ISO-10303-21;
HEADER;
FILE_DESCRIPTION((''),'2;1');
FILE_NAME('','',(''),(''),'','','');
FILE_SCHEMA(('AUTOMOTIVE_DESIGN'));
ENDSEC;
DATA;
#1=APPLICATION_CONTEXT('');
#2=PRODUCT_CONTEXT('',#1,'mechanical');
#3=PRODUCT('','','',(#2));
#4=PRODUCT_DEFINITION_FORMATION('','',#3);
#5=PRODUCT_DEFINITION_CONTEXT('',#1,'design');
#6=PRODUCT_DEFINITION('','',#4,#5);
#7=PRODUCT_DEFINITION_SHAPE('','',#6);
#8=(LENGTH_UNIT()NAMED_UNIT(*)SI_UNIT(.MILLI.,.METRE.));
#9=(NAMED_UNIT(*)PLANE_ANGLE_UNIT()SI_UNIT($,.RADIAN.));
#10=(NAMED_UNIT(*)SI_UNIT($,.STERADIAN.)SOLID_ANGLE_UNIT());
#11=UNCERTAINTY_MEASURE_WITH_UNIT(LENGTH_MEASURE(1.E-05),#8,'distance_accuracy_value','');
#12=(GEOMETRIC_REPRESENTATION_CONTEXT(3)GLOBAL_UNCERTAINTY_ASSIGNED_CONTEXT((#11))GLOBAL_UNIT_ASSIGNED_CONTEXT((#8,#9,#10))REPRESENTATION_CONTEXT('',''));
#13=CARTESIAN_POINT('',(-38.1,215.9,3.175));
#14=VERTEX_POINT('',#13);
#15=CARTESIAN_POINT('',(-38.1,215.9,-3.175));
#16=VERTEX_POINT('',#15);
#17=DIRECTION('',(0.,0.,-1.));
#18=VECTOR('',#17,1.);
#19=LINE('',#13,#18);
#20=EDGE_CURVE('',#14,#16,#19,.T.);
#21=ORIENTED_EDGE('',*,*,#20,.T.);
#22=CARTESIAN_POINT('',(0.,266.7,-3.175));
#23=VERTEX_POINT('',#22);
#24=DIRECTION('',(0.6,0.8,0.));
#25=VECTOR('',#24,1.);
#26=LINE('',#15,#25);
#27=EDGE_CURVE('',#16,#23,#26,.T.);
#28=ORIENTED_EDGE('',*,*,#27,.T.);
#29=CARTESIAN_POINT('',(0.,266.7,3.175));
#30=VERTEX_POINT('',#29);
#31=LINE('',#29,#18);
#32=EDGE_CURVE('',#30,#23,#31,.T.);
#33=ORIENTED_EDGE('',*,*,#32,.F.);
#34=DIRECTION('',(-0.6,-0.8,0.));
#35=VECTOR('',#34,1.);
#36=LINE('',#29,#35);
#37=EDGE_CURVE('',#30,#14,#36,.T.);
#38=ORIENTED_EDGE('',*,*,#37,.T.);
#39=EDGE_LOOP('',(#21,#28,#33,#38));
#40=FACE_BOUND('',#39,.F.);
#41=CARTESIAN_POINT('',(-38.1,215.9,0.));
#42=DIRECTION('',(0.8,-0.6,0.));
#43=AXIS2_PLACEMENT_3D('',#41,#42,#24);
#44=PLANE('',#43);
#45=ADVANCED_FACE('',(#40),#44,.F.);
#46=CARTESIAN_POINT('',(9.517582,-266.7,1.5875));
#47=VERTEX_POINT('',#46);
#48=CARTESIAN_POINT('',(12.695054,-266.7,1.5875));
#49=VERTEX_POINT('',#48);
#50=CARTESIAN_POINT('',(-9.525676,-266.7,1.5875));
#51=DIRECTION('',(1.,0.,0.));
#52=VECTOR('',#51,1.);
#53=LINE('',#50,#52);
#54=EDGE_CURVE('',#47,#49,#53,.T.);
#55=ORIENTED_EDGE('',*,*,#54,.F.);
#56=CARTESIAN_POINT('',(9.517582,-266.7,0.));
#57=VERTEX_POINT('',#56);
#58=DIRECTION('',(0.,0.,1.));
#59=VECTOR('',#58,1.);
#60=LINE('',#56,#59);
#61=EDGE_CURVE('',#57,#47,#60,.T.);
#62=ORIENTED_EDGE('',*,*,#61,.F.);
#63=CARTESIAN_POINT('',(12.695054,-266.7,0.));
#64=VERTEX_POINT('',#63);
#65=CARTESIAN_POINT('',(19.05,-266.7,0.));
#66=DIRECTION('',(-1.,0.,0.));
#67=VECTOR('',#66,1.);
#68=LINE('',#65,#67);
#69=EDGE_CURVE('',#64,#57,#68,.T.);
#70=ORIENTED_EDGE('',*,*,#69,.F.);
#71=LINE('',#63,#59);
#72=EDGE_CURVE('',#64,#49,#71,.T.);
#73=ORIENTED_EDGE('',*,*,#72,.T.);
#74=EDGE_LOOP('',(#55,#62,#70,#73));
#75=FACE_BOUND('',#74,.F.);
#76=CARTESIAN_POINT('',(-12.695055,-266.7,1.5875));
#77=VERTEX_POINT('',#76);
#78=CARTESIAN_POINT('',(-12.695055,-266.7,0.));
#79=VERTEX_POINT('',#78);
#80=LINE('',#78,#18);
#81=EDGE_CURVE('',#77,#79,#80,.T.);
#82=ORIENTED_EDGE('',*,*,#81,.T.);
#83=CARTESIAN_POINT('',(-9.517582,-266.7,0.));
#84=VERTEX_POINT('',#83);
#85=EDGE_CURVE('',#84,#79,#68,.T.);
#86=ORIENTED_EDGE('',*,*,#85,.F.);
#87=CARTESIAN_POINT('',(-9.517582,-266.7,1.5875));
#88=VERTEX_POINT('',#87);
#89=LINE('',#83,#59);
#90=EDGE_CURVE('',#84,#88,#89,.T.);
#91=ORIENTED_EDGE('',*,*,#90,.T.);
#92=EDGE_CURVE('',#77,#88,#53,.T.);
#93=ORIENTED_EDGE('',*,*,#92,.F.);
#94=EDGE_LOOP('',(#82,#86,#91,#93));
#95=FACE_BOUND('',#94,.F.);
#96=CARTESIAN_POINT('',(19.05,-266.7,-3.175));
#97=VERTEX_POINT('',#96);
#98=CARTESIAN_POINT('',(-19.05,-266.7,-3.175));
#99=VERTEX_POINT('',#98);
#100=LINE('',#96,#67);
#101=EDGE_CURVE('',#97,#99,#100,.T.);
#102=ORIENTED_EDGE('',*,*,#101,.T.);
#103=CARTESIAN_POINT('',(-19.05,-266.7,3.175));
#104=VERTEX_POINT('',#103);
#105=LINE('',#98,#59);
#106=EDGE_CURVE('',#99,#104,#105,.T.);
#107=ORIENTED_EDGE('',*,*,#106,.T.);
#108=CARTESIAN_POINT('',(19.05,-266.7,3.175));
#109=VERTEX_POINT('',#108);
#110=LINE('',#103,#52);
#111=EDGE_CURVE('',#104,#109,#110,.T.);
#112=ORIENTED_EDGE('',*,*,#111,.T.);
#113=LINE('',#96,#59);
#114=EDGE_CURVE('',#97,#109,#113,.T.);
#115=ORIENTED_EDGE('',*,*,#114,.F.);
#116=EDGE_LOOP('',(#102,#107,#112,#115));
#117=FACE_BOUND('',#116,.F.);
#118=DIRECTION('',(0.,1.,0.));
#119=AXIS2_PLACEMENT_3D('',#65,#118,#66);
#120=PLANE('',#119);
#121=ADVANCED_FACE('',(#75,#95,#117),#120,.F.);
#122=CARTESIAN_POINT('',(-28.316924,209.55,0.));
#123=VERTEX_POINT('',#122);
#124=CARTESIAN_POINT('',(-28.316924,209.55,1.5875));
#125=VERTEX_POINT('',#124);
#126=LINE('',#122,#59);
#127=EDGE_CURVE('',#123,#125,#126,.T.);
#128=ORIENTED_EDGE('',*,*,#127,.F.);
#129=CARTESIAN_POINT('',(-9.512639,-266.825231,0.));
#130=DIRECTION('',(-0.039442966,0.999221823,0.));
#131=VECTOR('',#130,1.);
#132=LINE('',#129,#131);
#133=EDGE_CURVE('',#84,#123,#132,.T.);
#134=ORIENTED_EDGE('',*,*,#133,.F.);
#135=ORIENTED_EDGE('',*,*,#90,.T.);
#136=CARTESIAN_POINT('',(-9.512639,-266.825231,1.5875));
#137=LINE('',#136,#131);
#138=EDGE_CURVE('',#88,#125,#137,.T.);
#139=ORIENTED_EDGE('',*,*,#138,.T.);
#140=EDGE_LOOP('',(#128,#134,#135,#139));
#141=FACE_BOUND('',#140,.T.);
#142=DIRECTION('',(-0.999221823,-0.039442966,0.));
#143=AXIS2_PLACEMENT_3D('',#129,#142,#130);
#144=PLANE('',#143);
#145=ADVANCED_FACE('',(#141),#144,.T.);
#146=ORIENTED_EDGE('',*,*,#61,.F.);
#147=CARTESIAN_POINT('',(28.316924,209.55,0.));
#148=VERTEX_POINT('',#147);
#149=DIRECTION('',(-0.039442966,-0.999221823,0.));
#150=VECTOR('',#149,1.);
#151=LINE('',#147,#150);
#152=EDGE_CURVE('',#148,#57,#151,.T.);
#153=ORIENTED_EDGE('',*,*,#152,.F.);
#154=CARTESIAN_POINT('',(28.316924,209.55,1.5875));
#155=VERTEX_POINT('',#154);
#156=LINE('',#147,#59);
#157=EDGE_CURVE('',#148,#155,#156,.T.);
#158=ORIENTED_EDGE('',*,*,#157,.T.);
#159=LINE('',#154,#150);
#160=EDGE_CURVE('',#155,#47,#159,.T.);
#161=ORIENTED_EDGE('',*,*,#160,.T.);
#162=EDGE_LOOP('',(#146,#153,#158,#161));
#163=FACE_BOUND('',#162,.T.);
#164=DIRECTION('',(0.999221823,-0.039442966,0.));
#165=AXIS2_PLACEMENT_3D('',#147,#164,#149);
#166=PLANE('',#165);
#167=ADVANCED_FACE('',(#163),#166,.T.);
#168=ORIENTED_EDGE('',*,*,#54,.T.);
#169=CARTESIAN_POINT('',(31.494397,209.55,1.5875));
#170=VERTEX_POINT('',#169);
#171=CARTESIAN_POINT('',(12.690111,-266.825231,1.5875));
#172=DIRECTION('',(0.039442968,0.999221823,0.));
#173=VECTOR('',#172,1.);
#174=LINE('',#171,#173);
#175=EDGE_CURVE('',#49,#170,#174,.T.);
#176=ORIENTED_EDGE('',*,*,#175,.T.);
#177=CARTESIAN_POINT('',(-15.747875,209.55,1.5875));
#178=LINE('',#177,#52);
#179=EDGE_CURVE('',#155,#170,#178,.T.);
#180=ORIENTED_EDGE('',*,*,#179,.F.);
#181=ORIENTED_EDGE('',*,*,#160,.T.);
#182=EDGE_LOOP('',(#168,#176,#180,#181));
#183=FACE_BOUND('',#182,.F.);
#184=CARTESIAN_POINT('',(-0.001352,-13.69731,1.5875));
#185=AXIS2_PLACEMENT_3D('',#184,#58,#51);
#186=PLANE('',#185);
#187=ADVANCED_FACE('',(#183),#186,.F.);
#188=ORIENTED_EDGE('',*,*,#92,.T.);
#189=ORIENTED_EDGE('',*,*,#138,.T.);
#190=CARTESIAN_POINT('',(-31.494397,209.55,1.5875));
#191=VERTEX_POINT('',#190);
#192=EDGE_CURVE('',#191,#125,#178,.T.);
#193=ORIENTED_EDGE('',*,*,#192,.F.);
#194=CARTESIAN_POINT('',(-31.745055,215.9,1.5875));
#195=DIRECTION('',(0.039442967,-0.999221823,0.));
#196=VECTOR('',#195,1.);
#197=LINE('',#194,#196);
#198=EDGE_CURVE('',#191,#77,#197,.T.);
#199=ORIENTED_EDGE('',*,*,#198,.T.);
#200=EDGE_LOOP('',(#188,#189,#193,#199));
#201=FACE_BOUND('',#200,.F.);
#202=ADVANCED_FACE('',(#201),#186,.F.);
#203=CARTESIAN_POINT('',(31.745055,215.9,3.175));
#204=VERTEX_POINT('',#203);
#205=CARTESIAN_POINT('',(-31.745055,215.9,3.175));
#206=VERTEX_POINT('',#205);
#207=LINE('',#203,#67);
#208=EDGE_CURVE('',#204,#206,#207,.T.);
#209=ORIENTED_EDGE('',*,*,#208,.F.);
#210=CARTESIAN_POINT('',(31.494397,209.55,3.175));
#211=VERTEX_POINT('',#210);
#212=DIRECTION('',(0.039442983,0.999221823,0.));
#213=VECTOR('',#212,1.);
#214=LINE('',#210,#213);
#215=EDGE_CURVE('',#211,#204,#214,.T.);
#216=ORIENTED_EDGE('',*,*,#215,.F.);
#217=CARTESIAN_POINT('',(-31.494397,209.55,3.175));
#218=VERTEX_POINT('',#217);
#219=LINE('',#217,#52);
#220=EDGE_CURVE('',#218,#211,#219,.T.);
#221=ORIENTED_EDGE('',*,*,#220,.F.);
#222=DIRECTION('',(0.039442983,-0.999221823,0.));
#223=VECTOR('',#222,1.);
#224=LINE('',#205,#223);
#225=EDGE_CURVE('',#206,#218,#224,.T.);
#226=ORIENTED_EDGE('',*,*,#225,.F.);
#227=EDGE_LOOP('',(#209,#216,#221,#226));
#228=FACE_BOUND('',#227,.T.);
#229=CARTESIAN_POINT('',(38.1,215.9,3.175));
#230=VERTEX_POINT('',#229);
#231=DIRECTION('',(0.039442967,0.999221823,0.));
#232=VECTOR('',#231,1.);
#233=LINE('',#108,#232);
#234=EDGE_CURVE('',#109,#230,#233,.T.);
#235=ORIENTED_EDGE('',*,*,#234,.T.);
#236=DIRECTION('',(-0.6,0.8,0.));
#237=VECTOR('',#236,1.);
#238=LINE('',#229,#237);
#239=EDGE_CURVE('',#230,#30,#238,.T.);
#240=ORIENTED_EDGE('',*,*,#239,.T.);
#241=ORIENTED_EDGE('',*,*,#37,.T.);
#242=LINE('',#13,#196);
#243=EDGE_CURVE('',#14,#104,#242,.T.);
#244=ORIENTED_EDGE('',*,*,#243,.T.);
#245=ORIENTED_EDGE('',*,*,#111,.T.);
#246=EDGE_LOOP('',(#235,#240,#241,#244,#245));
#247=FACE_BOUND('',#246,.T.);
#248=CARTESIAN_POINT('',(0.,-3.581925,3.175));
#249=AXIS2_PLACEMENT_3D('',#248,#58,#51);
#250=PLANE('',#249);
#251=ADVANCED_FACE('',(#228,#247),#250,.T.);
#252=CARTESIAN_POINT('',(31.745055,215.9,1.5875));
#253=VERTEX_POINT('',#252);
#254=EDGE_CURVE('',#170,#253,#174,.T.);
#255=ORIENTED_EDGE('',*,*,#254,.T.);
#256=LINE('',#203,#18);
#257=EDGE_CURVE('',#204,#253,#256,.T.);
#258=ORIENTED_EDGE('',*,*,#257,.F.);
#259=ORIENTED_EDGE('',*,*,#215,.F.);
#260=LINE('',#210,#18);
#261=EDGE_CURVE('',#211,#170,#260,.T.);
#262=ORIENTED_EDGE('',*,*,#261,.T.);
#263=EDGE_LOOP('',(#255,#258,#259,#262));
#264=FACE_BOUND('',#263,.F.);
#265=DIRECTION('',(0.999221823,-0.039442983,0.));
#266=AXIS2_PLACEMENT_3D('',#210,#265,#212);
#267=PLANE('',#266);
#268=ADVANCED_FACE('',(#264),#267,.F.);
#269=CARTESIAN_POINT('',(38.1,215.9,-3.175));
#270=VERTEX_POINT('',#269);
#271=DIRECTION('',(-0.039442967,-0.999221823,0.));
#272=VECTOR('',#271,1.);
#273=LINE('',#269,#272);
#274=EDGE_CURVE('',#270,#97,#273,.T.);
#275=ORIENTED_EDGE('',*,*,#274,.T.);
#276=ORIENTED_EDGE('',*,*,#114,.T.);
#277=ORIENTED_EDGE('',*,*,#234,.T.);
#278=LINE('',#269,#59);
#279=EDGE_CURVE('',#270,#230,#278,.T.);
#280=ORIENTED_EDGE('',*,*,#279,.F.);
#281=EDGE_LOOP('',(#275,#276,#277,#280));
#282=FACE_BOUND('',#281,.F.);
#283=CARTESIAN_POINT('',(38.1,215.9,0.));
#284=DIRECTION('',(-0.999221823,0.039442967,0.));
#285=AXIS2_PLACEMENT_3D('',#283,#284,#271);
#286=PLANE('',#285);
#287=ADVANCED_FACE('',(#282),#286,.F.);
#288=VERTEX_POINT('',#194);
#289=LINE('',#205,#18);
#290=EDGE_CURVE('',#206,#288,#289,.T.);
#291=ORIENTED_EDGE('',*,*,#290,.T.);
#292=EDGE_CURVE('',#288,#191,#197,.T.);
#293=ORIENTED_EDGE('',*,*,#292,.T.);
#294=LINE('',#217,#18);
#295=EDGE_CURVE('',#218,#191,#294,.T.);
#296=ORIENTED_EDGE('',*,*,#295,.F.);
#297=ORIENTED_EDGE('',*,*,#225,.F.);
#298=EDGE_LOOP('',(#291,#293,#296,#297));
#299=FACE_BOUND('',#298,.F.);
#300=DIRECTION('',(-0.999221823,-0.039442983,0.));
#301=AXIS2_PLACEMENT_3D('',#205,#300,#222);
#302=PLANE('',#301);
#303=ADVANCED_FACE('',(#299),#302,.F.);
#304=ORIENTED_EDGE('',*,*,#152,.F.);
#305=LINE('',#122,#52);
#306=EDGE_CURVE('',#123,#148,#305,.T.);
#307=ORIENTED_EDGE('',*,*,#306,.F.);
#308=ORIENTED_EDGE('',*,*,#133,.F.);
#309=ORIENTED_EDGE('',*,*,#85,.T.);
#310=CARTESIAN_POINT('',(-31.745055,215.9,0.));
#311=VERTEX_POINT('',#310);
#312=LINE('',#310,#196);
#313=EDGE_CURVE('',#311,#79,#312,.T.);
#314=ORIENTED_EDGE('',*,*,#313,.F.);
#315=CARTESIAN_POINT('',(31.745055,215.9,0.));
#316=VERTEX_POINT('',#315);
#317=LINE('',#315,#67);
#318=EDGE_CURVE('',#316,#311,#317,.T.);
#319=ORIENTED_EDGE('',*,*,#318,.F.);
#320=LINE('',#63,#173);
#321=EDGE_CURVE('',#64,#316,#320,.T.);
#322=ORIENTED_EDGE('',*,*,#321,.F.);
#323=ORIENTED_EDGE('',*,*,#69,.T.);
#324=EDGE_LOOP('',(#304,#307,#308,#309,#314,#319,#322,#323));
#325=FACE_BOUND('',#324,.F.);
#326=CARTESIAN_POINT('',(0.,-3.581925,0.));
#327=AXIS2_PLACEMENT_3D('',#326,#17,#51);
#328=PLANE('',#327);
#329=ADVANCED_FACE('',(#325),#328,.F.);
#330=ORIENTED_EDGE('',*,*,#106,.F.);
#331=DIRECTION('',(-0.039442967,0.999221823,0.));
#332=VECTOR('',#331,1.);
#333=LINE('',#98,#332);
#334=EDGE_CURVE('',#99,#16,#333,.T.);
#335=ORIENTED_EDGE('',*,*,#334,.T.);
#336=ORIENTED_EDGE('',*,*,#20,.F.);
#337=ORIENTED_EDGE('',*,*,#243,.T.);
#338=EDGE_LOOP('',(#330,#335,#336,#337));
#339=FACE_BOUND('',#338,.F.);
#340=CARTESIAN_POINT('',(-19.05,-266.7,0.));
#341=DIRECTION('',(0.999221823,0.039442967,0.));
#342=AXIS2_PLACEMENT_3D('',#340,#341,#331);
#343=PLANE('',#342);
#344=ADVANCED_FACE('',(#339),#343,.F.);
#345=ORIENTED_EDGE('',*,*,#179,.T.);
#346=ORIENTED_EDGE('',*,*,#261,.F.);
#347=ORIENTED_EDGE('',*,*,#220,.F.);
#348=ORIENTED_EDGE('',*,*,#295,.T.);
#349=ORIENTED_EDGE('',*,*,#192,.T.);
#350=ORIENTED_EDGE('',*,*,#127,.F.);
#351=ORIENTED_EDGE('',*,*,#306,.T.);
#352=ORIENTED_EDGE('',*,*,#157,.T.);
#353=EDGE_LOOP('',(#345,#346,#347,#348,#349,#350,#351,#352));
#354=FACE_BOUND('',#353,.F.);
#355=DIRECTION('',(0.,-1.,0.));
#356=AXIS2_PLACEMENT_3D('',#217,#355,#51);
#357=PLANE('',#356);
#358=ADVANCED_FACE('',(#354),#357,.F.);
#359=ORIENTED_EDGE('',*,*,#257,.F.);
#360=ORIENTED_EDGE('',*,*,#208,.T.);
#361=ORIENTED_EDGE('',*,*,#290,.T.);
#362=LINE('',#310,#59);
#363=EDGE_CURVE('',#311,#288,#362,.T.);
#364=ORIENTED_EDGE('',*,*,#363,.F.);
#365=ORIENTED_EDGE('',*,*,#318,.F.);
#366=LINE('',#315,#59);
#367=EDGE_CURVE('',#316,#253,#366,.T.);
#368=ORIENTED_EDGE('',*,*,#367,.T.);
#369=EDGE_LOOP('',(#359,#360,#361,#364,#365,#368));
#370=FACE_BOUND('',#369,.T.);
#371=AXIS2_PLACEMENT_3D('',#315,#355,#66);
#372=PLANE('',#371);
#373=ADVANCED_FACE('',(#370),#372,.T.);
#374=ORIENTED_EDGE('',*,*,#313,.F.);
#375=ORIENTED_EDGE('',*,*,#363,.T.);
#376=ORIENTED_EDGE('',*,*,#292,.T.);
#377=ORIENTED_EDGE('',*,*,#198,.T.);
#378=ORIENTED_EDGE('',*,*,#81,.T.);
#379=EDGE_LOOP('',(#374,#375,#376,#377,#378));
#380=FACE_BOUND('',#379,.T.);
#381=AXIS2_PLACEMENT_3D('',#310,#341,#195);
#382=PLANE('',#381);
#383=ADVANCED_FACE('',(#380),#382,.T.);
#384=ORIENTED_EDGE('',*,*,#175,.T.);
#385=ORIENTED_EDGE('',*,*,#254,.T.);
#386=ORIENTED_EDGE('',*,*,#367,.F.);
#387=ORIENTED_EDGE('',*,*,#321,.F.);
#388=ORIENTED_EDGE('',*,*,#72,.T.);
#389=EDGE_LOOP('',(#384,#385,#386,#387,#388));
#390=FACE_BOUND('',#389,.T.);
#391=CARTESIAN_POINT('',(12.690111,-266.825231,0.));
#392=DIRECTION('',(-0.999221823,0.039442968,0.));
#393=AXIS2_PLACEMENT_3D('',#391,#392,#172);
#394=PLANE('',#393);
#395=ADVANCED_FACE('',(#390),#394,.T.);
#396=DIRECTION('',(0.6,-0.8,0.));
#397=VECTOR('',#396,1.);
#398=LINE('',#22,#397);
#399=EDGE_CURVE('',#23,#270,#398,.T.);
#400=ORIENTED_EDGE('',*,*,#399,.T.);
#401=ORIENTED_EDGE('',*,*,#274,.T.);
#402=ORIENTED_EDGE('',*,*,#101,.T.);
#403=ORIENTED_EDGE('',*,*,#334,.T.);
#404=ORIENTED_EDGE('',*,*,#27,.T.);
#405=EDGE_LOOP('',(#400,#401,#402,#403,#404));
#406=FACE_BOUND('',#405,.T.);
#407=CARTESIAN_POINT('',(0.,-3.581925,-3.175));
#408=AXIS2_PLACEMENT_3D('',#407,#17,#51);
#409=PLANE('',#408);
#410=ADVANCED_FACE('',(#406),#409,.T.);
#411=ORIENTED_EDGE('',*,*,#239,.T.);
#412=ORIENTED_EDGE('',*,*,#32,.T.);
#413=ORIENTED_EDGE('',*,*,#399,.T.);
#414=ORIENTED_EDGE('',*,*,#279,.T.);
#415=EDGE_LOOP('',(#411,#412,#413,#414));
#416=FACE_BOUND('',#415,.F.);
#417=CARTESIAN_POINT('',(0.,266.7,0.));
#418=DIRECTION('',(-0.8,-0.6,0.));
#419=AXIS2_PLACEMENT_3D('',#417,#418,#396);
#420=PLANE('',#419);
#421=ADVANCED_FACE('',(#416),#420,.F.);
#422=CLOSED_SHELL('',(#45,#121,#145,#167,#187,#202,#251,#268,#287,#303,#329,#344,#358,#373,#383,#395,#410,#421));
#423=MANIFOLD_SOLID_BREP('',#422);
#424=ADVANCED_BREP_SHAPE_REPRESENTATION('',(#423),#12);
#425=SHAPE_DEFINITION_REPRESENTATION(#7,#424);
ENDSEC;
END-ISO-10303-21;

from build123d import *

# Parameters (mm, degrees)
F1_DEPTH = 3.175
F3_DEPTH = 1.5875
F5_DEPTH = 3.175
F7_DEPTH = 3.175


with BuildPart() as f1:
    # F0 (on Top) → F1 (new body)
    with BuildSketch(Plane.XY):
        Polygon((0, 266.7), (-38.1, 215.9), (-19.05, -266.7), (19.05, -266.7), (38.1, 215.9), align=None)
    extrude(amount=F1_DEPTH)

    # F2 (on Top) → F3 (cut)
    with BuildSketch(Plane.XY):
        Polygon((31.745055, 215.9), (-31.745055, 215.9), (-12.685168, -266.950463), (-9.512639, -266.825231), (-28.316924, 209.55), (28.316924, 209.55), (9.517582, -266.7), (12.690111, -266.825231), align=None)
    extrude(amount=F3_DEPTH, mode=Mode.SUBTRACT)

    # F4 (on face) → F5 (cut)
    with BuildSketch(Plane.XY.offset(3.175)):
        Polygon((31.745055, 215.9), (-31.745055, 215.9), (-31.494397, 209.55), (31.494397, 209.55), align=None)
    extrude(amount=-F5_DEPTH, mode=Mode.SUBTRACT)

    # F6 (on face) → F7 (join)
    with BuildSketch(Plane(origin=(0, 0, 0), x_dir=(1, 0, 0), z_dir=(0, 0, -1))):
        Polygon((-19.05, 266.7), (-38.1, -215.9), (0, -266.7), (38.1, -215.9), (19.05, 266.7), align=None)
    extrude(amount=F7_DEPTH)


solid = f1.part
